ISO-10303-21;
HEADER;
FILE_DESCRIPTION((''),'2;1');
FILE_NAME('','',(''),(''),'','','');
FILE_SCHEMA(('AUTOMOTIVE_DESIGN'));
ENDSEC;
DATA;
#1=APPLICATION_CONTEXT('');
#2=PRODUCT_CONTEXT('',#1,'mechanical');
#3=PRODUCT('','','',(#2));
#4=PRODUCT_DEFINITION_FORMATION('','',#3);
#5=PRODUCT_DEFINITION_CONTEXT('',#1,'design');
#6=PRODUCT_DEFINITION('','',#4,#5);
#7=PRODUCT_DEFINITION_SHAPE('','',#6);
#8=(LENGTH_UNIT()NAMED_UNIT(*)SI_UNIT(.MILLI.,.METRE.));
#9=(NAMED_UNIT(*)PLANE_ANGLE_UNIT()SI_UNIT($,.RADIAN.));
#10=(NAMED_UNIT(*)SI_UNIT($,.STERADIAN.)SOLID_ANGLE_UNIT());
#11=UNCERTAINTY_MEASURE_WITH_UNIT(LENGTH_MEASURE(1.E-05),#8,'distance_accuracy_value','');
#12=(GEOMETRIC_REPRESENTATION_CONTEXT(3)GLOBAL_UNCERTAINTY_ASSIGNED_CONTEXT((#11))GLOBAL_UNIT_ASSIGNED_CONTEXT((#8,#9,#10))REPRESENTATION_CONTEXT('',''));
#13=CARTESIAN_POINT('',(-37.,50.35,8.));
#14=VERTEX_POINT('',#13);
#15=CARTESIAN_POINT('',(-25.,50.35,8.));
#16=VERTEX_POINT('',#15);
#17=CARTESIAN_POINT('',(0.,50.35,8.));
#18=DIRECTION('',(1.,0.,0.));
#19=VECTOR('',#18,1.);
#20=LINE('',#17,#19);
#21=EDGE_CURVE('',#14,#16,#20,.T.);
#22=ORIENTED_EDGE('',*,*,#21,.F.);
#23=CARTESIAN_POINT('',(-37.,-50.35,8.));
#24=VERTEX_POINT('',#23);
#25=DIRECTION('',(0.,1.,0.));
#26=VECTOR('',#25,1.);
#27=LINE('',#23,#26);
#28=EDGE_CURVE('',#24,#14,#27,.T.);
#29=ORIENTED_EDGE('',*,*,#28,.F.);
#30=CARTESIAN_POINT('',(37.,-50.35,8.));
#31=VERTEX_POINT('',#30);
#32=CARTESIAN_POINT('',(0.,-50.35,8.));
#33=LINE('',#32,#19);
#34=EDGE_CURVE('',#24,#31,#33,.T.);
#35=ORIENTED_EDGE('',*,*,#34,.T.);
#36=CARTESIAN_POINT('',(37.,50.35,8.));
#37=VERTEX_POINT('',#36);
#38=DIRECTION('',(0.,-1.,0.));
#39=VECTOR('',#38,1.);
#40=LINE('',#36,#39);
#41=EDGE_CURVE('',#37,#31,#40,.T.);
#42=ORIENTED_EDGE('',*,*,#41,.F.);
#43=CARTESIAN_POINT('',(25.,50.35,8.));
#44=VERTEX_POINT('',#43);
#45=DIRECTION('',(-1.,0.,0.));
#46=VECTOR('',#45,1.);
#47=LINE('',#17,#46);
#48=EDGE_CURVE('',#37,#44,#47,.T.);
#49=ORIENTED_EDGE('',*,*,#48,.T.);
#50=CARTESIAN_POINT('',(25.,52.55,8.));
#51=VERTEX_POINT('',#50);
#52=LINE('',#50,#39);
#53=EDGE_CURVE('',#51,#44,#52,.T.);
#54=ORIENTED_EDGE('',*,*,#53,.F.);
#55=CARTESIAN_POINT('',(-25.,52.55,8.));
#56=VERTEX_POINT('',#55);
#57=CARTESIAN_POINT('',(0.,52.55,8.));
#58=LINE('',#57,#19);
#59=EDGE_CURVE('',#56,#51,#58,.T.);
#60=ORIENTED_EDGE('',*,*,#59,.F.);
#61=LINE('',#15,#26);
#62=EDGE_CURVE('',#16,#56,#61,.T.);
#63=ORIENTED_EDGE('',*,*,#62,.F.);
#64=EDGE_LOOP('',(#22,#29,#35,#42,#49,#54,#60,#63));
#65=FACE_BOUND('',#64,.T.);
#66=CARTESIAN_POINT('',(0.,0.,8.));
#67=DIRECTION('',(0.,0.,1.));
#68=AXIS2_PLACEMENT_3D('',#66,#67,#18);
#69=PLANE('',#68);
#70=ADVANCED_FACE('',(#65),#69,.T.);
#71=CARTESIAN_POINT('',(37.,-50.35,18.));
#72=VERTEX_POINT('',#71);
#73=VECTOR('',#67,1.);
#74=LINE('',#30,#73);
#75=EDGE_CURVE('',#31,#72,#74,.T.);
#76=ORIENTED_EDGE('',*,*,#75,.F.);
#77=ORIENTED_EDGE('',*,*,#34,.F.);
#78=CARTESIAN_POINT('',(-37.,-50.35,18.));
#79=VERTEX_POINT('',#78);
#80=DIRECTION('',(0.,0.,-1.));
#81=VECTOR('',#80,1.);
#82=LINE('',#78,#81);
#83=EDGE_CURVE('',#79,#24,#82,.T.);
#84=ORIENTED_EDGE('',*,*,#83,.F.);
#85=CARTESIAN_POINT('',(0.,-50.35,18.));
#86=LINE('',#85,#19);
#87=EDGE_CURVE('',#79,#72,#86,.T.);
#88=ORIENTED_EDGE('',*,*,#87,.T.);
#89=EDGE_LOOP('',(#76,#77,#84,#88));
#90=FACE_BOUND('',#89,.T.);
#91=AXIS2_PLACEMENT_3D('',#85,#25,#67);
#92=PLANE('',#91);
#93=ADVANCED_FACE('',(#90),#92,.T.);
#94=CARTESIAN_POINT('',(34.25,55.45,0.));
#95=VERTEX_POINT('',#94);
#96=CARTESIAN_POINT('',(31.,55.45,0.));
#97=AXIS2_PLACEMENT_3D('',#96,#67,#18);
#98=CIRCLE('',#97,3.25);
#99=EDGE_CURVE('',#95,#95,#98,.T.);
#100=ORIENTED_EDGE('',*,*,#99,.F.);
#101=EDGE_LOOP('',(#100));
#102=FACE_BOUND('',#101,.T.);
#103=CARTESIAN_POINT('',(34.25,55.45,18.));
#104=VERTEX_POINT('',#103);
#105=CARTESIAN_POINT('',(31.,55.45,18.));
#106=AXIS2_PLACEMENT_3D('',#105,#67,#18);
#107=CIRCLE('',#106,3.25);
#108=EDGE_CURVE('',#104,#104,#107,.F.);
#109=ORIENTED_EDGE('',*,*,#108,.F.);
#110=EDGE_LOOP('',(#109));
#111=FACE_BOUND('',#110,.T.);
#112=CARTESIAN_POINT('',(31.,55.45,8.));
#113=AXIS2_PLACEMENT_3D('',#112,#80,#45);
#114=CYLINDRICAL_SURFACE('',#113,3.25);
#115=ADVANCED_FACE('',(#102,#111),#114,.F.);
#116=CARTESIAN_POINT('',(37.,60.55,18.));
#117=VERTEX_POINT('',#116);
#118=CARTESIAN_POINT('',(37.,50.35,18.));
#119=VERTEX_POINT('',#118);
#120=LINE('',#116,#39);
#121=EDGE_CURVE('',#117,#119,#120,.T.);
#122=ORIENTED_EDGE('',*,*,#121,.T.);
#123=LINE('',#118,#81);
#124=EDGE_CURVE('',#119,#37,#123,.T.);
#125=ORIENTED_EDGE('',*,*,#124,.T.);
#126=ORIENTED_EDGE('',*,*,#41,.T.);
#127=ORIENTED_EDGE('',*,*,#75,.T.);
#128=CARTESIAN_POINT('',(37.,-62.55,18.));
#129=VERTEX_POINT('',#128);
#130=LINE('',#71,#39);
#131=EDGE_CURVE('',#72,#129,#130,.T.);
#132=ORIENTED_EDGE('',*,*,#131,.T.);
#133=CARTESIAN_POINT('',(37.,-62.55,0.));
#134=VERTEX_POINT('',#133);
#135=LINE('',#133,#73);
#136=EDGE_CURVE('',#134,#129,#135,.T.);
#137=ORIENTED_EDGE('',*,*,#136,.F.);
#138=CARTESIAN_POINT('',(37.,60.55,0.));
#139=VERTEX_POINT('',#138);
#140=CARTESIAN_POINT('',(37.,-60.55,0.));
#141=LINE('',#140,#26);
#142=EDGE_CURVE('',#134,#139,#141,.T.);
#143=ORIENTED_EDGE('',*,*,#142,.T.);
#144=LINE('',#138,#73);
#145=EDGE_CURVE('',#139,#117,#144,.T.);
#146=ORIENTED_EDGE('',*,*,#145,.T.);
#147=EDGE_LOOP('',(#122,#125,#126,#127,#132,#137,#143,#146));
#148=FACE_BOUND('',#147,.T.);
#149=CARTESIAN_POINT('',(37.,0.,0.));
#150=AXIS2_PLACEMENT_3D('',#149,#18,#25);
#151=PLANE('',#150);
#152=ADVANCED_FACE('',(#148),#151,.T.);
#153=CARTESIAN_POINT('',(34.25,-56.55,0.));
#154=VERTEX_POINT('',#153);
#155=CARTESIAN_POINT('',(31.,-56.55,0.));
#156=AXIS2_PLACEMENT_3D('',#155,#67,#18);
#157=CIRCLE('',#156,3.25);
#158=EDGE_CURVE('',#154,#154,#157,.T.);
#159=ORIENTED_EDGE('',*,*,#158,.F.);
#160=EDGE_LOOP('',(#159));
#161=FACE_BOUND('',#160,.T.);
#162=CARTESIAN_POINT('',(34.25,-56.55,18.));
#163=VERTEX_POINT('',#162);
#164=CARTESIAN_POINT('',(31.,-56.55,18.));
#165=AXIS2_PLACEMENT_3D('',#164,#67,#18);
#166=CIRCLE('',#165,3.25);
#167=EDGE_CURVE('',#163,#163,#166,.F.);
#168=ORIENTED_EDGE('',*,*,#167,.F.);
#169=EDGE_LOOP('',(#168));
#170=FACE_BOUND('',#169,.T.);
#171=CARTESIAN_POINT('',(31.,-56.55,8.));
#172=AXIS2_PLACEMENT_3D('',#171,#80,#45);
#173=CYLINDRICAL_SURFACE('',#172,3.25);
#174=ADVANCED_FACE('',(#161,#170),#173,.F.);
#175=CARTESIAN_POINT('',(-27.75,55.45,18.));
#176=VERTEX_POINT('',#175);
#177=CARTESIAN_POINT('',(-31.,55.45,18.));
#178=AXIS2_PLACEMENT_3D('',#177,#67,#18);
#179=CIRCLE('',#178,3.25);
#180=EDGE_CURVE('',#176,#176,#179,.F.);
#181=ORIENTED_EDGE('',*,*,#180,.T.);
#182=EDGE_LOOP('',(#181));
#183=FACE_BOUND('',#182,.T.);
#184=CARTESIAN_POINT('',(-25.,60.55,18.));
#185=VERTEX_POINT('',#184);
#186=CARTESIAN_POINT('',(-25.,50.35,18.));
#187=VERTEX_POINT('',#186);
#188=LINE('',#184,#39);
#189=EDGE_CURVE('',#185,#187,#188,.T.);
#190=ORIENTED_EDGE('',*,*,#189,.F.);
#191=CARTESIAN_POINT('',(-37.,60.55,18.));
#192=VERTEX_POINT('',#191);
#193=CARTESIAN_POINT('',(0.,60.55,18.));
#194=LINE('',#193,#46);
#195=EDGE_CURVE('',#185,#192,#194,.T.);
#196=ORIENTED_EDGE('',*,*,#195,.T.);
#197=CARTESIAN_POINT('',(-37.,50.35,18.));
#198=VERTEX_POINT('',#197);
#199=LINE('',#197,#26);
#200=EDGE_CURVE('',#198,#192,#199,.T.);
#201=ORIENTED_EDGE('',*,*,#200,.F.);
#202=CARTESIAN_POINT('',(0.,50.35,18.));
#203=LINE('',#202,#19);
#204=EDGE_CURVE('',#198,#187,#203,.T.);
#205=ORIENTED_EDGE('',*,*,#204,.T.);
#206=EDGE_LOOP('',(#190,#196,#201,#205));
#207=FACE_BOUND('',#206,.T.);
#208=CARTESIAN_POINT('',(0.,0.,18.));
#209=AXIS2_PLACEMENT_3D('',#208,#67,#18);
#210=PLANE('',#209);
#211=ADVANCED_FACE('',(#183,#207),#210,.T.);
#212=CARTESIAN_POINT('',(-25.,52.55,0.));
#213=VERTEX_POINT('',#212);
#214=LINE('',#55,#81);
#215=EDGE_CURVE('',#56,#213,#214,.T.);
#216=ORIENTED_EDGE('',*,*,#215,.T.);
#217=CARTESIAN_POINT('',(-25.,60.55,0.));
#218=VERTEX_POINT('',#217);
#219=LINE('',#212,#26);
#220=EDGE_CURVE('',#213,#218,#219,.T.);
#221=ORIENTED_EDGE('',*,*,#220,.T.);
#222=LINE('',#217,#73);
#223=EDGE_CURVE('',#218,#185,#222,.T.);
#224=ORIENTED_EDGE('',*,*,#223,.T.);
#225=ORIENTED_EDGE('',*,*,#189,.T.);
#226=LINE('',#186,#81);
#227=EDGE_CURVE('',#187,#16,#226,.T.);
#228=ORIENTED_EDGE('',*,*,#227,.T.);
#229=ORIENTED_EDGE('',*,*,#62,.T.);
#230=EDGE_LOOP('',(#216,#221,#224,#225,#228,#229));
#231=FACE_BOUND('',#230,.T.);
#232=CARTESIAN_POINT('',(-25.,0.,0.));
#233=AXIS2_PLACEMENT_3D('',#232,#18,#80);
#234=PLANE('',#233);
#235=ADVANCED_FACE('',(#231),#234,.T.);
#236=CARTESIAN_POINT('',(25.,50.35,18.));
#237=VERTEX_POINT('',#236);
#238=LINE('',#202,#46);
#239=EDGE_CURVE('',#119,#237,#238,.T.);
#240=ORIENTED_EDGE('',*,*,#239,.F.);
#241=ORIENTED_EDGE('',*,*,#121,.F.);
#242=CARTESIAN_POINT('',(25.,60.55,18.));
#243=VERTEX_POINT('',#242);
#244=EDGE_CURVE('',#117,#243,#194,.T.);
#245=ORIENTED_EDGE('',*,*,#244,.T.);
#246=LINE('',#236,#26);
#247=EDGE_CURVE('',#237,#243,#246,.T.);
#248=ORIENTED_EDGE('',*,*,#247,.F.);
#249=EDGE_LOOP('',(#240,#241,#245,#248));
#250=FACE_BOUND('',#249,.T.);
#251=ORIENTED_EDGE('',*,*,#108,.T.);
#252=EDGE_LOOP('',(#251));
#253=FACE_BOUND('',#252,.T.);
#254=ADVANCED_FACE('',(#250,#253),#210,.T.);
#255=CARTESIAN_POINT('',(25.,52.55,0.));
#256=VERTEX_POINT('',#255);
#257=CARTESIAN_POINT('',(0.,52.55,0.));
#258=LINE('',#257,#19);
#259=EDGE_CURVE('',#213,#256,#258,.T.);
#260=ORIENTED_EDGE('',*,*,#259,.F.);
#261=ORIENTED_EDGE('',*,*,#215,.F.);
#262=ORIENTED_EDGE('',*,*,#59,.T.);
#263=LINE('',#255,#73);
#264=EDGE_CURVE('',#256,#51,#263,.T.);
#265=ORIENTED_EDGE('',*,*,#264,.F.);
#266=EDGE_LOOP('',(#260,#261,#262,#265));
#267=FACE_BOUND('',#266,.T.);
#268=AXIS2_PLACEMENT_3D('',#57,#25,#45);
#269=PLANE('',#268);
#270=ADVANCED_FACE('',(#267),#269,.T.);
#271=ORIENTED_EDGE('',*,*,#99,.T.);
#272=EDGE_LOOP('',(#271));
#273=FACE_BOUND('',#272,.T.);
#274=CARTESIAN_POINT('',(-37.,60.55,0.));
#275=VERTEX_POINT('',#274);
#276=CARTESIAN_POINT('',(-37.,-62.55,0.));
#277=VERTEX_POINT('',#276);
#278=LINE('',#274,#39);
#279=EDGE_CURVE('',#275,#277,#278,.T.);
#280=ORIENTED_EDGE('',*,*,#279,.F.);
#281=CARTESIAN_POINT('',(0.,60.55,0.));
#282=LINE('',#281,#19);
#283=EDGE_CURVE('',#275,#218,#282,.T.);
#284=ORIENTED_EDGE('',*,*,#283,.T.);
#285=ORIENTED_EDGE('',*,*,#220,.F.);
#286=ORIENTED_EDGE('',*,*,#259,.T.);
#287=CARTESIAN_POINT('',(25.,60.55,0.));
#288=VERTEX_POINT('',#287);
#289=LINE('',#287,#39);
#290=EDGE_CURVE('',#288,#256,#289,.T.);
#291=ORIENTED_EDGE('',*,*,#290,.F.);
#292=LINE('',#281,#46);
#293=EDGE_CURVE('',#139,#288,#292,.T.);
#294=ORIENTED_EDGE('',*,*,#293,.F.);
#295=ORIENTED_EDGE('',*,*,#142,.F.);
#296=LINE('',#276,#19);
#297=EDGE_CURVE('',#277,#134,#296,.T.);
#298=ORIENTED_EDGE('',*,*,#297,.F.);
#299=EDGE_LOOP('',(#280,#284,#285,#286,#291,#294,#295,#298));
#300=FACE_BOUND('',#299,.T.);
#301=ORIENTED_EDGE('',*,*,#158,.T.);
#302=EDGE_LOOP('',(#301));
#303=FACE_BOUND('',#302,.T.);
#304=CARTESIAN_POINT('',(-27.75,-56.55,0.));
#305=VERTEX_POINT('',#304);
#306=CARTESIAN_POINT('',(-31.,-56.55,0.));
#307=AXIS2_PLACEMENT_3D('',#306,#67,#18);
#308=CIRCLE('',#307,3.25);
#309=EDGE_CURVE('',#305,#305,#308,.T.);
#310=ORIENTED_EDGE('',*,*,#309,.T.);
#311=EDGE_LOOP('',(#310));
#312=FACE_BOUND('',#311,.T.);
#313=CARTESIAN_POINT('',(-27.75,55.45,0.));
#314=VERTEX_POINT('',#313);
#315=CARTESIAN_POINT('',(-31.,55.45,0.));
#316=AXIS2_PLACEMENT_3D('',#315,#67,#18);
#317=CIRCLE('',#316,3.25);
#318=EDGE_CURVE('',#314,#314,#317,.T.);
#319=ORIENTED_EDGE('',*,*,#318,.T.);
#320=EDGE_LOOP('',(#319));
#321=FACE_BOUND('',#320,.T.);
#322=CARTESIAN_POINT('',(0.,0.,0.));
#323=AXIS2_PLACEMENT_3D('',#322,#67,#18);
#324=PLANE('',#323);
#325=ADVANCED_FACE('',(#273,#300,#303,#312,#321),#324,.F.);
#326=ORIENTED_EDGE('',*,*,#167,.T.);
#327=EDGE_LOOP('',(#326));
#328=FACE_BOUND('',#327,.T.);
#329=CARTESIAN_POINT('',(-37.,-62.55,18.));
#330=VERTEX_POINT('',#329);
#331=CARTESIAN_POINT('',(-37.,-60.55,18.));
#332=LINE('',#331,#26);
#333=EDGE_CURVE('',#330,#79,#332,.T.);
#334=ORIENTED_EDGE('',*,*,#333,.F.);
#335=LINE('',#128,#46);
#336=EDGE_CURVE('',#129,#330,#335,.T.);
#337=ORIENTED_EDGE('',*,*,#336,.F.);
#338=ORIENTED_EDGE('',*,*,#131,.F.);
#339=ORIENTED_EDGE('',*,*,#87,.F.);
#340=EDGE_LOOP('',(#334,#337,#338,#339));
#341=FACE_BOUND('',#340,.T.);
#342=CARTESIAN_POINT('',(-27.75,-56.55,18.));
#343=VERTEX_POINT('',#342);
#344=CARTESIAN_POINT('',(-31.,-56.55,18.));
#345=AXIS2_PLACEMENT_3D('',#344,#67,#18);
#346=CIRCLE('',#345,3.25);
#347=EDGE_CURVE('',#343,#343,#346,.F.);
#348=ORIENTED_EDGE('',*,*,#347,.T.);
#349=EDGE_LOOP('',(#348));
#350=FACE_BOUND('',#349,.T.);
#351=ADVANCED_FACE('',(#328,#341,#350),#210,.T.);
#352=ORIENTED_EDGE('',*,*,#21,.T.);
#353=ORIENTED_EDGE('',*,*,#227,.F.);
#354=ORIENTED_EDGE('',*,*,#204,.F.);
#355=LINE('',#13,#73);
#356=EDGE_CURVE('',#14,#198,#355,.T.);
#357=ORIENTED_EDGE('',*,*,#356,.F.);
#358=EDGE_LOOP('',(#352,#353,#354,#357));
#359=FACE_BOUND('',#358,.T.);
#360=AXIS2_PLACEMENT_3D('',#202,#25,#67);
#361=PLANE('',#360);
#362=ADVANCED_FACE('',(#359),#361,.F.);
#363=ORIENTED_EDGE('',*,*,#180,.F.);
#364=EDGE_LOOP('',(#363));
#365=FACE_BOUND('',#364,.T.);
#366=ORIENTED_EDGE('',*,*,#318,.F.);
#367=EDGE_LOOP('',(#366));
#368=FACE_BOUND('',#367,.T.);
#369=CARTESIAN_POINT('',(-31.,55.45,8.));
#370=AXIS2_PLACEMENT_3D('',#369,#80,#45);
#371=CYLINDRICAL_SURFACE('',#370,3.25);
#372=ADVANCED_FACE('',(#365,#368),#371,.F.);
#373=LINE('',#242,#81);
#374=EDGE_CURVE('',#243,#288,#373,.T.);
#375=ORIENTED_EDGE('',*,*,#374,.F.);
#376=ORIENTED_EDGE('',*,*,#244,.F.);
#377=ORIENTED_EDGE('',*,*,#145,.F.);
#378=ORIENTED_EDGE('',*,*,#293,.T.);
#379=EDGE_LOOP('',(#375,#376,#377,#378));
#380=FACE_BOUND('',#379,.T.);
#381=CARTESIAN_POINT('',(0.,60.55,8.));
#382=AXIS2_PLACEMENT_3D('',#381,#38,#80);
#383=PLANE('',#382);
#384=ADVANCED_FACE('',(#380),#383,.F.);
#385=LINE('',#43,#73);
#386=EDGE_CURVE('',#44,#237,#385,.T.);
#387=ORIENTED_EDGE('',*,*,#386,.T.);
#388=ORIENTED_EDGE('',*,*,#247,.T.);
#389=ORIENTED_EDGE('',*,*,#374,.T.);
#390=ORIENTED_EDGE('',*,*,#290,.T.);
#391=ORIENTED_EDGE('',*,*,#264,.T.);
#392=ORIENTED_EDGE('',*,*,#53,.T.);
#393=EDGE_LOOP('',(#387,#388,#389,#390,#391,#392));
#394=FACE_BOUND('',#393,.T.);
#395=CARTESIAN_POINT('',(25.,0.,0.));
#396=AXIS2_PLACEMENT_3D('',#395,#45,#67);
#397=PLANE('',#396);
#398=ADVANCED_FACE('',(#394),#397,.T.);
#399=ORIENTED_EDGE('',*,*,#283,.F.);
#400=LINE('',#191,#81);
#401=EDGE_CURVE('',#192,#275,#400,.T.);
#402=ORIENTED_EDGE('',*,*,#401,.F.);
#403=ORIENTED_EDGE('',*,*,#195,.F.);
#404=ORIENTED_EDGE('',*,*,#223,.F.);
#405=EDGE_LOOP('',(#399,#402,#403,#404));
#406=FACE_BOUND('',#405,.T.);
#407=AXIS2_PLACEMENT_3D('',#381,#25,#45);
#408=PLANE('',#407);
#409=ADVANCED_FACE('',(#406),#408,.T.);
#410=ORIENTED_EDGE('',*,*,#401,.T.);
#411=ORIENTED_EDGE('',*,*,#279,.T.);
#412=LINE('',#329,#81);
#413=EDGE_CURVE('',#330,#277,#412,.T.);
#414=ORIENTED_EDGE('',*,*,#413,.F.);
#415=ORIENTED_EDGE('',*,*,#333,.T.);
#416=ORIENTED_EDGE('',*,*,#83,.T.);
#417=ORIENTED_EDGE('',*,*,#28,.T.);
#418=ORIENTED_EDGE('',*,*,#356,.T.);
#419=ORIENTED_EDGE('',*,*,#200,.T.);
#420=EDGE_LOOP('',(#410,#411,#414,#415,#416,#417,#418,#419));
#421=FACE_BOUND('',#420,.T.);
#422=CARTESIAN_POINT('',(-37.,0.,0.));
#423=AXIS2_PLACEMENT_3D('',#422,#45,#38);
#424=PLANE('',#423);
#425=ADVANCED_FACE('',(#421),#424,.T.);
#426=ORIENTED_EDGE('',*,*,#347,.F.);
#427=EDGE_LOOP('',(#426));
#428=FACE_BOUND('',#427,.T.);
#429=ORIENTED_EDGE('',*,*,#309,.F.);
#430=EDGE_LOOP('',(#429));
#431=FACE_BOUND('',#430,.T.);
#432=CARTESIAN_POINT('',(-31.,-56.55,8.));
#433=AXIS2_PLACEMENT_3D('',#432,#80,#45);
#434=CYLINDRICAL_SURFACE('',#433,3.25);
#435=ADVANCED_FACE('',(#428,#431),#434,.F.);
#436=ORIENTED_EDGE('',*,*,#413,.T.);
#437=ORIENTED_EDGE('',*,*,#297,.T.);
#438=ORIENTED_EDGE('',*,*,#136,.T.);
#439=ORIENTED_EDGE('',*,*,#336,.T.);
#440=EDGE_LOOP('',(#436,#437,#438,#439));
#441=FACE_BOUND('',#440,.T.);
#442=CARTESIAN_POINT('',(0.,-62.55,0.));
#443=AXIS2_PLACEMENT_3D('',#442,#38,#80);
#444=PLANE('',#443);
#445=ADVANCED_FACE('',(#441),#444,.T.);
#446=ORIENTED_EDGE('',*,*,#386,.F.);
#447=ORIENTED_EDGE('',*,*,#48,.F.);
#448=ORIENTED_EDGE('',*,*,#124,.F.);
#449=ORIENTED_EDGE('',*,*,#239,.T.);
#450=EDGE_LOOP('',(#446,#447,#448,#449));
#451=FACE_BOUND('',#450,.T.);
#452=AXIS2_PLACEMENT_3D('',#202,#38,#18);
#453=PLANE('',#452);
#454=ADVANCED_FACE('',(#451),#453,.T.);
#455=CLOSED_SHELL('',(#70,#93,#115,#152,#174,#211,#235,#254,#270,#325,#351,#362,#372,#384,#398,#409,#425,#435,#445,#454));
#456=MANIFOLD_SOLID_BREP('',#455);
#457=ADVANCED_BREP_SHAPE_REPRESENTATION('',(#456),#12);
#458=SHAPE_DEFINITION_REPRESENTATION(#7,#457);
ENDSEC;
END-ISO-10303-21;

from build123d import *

# Parameters (mm, degrees)
SKETCH1_R           = 3.25
BOSS_EXTRUDE1_DEPTH = 8
SKETCH4_R           = 3.25
BOSS_EXTRUDE3_DEPTH = 10
BOSS_EXTRUDE4_DEPTH = 54
BOSS_EXTRUDE5_DEPTH = 2
BOSS_EXTRUDE6_DEPTH = 2
BOSS_EXTRUDE7_DEPTH = 2
BOSS_EXTRUDE8_DEPTH = 2
SKETCH10_W          = 74
SKETCH10_H          = 18
BOSS_EXTRUDE9_DEPTH = 2


with BuildPart() as part:
    # Sketch1 → Boss-Extrude1 (new body)
    with BuildSketch(Plane.XY):
        Polygon((-27, 52.55), (-27, 60.55), (-35, 60.55), (-35, -60.55), (-27, -60.55), (-27, -52.55), (27, -52.55), (27, -60.55), (35, -60.55), (35, 60.55), (27, 60.55), (27, 52.55), align=None)
        with Locations((31, 55.45)):
            Circle(SKETCH1_R, mode=Mode.SUBTRACT)
        with Locations((-31, 55.45)):
            Circle(SKETCH1_R, mode=Mode.SUBTRACT)
        with Locations((-31, -56.55)):
            Circle(SKETCH1_R, mode=Mode.SUBTRACT)
        with Locations((31, -56.55)):
            Circle(SKETCH1_R, mode=Mode.SUBTRACT)
    extrude(amount=BOSS_EXTRUDE1_DEPTH)

    # Sketch4 → Boss-Extrude3 (add)
    # profile 1 of 4: a face of its own
    with BuildSketch(Plane.XY.offset(8)):
        Polygon((-27, 60.55), (-35, 60.55), (-35, 50.35), (-27, 50.35), (-27, 52.55), align=None)
        with Locations((-31, 55.45)):
            Circle(SKETCH4_R, mode=Mode.SUBTRACT)
    # profile 2 of 4: a face of its own
    with BuildSketch(Plane.XY.offset(8)):
        Polygon((35, 50.35), (35, 60.55), (27, 60.55), (27, 52.55), (27, 50.35), align=None)
        with Locations((31, 55.45)):
            Circle(SKETCH4_R, mode=Mode.SUBTRACT)
    # profile 3 of 4: a face of its own
    with BuildSketch(Plane.XY.offset(8)):
        Polygon((35, -60.55), (35, -50.35), (27, -50.35), (27, -52.55), (27, -60.55), align=None)
        with Locations((31, -56.55)):
            Circle(SKETCH4_R, mode=Mode.SUBTRACT)
    # profile 4 of 4: a face of its own
    with BuildSketch(Plane.XY.offset(8)):
        Polygon((-27, -50.35), (-35, -50.35), (-35, -60.55), (-27, -60.55), (-27, -52.55), align=None)
        with Locations((-31, -56.55)):
            Circle(SKETCH4_R, mode=Mode.SUBTRACT)
    extrude(amount=BOSS_EXTRUDE3_DEPTH)

    # Sketch5 → Boss-Extrude4 (add)
    with BuildSketch(Plane(origin=(-27, 0, 0), x_dir=(0, 0, -1), z_dir=(1, 0, 0))):
        Polygon((-18, -50.35), (-8, -50.35), (-8, -52.55), (0, -52.55), (0, -60.55), (-18, -60.55), align=None)
    extrude(amount=BOSS_EXTRUDE4_DEPTH)

    # Sketch6 → Boss-Extrude5 (add)
    with BuildSketch(Plane(origin=(35, 0, 0), x_dir=(0, 0, -1), z_dir=(1, 0, 0))):
        Polygon((0, -60.55), (0, 60.55), (-18, 60.55), (-18, 50.35), (-8, 50.35), (-8, -50.35), (-18, -50.35), (-18, -60.55), align=None)
    extrude(amount=BOSS_EXTRUDE5_DEPTH)

    # Sketch7 → Boss-Extrude6 (add)
    with BuildSketch(Plane.ZY.offset(-27)):
        Polygon((0, 60.55), (0, 52.55), (8, 52.55), (8, 50.35), (18, 50.35), (18, 60.55), align=None)
    extrude(amount=BOSS_EXTRUDE6_DEPTH)

    # Sketch8 → Boss-Extrude7 (add)
    with BuildSketch(Plane.ZY.offset(35)):
        Polygon((0, 60.55), (0, -60.55), (18, -60.55), (18, -50.35), (8, -50.35), (8, 50.35), (18, 50.35), (18, 60.55), align=None)
    extrude(amount=BOSS_EXTRUDE7_DEPTH)

    # Sketch9 → Boss-Extrude8 (add)
    with BuildSketch(Plane(origin=(-27, 0, 0), x_dir=(0, 0, -1), z_dir=(1, 0, 0))):
        Polygon((0, 52.55), (0, 60.55), (-18, 60.55), (-18, 50.35), (-8, 50.35), (-8, 52.55), align=None)
    extrude(amount=BOSS_EXTRUDE8_DEPTH)

    # Sketch10 → Boss-Extrude9 (add)
    with BuildSketch(Plane.XZ.offset(60.55)):
        with Locations((0, 9)):
            Rectangle(SKETCH10_W, SKETCH10_H)
    extrude(amount=BOSS_EXTRUDE9_DEPTH)


solid = part.part
